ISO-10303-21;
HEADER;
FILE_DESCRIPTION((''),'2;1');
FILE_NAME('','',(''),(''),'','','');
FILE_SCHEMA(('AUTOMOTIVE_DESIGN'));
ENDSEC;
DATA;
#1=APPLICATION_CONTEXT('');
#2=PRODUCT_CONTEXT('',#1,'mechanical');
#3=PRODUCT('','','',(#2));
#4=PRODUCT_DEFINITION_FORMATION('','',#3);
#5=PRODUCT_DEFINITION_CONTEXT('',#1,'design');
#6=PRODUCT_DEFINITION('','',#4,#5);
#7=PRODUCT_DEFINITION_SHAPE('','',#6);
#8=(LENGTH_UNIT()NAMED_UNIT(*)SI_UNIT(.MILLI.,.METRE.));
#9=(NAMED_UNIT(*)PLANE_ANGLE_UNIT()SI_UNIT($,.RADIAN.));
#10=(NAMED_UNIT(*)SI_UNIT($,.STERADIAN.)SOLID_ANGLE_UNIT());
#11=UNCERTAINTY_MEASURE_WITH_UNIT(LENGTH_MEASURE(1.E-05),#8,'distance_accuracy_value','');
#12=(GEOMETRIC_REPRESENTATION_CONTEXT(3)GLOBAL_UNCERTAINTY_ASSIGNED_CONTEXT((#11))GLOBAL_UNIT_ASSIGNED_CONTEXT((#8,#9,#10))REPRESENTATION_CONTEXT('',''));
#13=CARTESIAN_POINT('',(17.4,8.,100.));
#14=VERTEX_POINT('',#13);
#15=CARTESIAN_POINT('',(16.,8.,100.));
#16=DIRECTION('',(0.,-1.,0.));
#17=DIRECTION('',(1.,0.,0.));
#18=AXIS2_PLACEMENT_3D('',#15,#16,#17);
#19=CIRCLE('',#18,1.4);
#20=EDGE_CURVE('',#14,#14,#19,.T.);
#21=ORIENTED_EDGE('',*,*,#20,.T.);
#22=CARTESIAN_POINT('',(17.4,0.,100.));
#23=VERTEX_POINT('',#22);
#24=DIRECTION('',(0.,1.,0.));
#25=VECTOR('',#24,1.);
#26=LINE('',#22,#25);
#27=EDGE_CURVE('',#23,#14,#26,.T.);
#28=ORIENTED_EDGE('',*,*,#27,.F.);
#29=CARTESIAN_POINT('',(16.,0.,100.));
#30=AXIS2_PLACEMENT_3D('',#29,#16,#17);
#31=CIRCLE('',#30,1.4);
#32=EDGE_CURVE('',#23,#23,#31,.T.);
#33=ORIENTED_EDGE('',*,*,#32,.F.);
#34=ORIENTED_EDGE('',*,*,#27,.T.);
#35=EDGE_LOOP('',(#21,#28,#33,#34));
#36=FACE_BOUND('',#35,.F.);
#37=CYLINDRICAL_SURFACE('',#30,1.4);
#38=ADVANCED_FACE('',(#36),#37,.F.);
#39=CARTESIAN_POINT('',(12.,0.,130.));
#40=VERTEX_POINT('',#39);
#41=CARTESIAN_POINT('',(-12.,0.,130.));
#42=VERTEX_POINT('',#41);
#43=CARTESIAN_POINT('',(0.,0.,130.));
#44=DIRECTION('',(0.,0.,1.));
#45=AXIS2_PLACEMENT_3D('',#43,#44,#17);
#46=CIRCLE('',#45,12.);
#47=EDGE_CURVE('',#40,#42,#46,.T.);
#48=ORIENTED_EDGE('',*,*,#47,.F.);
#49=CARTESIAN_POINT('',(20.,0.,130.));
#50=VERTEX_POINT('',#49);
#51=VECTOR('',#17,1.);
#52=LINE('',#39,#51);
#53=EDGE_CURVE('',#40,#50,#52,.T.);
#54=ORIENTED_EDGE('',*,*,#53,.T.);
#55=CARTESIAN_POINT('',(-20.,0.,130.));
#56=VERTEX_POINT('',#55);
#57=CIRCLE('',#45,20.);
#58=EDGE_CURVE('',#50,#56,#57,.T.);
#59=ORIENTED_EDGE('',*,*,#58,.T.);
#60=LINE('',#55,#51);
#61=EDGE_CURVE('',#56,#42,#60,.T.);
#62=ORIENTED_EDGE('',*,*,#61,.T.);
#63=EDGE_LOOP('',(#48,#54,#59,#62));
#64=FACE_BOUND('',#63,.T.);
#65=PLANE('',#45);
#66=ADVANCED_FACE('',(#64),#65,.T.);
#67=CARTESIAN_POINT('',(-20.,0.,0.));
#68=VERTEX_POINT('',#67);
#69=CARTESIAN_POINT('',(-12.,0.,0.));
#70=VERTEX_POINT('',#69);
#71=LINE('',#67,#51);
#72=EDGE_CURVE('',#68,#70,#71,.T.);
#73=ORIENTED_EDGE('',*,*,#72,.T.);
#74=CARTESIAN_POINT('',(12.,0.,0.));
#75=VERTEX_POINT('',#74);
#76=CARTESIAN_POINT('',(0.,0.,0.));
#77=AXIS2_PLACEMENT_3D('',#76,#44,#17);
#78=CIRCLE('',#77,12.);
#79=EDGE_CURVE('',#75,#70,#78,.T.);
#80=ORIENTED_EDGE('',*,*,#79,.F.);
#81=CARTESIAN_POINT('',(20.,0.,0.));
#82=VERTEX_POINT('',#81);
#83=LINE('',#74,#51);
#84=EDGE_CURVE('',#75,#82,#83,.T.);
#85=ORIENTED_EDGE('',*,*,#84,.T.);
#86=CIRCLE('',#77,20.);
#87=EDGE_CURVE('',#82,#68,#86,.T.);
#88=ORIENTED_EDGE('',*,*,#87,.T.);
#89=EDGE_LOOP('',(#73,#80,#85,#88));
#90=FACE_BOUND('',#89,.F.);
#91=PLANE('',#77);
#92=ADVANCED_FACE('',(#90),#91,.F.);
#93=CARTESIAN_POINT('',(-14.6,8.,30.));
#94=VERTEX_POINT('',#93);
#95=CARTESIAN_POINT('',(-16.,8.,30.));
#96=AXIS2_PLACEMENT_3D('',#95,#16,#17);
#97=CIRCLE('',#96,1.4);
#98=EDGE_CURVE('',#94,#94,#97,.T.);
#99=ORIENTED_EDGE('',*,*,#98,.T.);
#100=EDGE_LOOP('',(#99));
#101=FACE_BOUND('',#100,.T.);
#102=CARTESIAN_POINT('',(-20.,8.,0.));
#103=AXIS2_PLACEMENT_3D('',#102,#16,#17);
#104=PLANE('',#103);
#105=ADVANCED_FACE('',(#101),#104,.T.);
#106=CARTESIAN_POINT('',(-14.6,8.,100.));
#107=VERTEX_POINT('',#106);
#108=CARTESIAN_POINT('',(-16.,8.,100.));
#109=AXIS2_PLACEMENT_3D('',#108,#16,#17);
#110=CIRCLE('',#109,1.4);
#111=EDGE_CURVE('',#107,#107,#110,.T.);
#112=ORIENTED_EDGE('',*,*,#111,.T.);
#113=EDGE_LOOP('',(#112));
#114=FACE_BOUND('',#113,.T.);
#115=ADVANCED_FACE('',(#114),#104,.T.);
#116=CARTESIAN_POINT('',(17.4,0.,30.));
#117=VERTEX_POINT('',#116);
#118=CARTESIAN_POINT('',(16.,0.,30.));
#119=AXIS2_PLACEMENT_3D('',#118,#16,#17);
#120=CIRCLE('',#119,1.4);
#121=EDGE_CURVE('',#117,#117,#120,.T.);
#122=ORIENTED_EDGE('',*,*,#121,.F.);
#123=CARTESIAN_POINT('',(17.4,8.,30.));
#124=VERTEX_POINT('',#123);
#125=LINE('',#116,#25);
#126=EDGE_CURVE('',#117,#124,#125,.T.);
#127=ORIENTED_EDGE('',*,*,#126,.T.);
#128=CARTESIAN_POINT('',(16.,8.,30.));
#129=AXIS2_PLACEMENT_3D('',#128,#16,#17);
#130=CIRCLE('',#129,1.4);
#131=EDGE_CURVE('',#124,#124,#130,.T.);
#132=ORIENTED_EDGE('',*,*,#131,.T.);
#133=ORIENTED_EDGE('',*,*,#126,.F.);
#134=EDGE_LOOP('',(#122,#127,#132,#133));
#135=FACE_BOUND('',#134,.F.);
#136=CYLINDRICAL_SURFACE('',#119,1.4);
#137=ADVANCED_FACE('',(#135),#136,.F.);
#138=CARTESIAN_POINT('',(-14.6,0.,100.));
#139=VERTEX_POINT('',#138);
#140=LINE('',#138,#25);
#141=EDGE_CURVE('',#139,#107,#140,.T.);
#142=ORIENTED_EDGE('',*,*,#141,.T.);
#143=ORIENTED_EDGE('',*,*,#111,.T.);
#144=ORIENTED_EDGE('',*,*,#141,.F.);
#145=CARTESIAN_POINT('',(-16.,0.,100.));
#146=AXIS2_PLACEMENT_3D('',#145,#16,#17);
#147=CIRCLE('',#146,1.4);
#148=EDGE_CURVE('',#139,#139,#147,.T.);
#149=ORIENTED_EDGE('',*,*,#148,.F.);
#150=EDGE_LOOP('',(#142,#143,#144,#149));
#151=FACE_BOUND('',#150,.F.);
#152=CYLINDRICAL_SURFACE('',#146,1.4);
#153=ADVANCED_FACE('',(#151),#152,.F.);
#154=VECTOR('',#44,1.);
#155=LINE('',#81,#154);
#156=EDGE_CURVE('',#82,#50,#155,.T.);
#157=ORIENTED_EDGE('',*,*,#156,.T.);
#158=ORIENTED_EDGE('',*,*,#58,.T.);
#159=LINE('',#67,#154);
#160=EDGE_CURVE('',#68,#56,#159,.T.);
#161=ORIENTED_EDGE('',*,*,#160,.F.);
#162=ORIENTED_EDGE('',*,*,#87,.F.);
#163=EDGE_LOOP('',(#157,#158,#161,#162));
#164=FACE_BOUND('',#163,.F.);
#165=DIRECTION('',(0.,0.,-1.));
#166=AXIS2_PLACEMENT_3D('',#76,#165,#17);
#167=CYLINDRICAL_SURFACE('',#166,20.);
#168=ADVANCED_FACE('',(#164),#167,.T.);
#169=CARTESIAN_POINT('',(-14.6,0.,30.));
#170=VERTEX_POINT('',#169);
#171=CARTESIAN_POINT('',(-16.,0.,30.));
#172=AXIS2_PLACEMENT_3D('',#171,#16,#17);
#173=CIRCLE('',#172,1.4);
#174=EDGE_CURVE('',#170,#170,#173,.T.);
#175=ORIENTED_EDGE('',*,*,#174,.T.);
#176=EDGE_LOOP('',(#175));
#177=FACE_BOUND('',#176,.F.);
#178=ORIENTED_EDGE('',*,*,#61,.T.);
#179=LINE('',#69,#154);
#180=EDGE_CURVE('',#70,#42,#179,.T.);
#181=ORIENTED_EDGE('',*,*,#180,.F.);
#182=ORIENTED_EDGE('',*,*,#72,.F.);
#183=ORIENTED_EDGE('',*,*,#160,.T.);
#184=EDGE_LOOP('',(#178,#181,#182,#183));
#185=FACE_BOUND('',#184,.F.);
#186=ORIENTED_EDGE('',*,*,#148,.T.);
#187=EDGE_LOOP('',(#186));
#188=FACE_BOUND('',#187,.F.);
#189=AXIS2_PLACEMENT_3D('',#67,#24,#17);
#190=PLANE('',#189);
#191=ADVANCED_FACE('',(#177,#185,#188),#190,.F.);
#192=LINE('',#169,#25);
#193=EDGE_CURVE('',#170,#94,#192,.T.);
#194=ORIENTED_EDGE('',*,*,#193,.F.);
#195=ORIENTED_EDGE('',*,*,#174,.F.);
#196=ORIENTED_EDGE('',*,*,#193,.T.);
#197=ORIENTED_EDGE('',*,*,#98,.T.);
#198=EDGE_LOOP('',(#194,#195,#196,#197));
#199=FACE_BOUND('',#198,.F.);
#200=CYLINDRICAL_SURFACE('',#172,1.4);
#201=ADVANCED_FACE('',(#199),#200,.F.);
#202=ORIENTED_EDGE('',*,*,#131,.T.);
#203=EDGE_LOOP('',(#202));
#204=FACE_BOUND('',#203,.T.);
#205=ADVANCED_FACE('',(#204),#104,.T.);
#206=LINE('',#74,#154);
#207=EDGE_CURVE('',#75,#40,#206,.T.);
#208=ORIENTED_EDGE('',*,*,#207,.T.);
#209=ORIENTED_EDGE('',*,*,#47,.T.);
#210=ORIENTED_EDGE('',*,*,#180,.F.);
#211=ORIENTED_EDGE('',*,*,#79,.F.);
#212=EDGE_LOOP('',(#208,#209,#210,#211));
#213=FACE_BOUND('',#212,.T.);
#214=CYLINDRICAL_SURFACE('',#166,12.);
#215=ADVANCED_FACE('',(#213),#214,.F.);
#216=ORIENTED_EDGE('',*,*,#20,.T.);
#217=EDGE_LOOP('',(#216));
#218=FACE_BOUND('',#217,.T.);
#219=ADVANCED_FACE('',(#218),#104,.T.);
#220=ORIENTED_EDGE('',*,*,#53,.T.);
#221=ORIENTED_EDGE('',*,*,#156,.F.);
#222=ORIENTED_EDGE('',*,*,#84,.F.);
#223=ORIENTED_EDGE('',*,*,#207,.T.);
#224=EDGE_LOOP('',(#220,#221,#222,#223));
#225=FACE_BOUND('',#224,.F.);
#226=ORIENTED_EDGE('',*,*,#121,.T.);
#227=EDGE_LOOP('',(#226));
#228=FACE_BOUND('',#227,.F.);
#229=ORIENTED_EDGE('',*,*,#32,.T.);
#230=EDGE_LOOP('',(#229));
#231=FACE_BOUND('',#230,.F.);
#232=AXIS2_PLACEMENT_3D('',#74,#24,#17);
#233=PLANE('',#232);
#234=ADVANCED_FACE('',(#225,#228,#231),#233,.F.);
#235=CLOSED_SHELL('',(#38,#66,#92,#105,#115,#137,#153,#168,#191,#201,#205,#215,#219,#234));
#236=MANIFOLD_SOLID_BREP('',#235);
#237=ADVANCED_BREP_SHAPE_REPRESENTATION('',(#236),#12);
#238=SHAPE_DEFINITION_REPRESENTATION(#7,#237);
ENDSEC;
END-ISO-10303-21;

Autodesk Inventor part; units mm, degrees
ref_plane "YZ Plane" through (0, 0, 0) normal (1, 0, 0) x (0, 1, 0)
ref_plane "XZ Plane" through (0, 0, 0) normal (0, 1, 0) x (-1, 0, 0)
sketch "草圖2" plane through (0, 0, 0) normal (0, 0, 1) x (1, 0, 0)
  arc A0 (12, 0) -> (-12, 0) centre (0, 0) ccw
  arc A1 (20, 0) -> (-20, 0) centre (0, 0) ccw
  line L0 (-20, 0) -> (-12, 0)
  line L1 (12, 0) -> (20, 0)
  dimension "d4" = 24
  dimension "d5" = 40
extrude "擠出1" add sketch "草圖2" along normal blind 130
ref_plane "工作平面1" through (-20, 0, 0) normal (0, -1, 0) x (1, 0, 0)
sketch "草圖3" plane through (-20, 0, 0) normal (0, -1, 0) x (1, 0, 0)
  line L0 (40, 130) -> (0, 130) projected
  line L1 (0, 130) -> (4, 130)
  line L2 (0, 0) -> (40, 0) projected
  line L3 (40, 0) -> (36, 0)
  circle A0 centre (4, 30) radius 1.4
  circle A1 centre (4, 100) radius 1.4
  circle A2 centre (36, 100) radius 1.4
  circle A3 centre (36, 30) radius 1.4
  point P0 (20, 0)
  dimension "d9" = 4
  dimension "d10" = 4
  dimension "d13" = 2.8
  dimension "d14" = 2.8
  dimension "d15" = 2.8
  dimension "d16" = 2.8
extrude "擠出2" cut sketch "草圖3" against normal blind 8
properties part number "holding_positionLFT"
